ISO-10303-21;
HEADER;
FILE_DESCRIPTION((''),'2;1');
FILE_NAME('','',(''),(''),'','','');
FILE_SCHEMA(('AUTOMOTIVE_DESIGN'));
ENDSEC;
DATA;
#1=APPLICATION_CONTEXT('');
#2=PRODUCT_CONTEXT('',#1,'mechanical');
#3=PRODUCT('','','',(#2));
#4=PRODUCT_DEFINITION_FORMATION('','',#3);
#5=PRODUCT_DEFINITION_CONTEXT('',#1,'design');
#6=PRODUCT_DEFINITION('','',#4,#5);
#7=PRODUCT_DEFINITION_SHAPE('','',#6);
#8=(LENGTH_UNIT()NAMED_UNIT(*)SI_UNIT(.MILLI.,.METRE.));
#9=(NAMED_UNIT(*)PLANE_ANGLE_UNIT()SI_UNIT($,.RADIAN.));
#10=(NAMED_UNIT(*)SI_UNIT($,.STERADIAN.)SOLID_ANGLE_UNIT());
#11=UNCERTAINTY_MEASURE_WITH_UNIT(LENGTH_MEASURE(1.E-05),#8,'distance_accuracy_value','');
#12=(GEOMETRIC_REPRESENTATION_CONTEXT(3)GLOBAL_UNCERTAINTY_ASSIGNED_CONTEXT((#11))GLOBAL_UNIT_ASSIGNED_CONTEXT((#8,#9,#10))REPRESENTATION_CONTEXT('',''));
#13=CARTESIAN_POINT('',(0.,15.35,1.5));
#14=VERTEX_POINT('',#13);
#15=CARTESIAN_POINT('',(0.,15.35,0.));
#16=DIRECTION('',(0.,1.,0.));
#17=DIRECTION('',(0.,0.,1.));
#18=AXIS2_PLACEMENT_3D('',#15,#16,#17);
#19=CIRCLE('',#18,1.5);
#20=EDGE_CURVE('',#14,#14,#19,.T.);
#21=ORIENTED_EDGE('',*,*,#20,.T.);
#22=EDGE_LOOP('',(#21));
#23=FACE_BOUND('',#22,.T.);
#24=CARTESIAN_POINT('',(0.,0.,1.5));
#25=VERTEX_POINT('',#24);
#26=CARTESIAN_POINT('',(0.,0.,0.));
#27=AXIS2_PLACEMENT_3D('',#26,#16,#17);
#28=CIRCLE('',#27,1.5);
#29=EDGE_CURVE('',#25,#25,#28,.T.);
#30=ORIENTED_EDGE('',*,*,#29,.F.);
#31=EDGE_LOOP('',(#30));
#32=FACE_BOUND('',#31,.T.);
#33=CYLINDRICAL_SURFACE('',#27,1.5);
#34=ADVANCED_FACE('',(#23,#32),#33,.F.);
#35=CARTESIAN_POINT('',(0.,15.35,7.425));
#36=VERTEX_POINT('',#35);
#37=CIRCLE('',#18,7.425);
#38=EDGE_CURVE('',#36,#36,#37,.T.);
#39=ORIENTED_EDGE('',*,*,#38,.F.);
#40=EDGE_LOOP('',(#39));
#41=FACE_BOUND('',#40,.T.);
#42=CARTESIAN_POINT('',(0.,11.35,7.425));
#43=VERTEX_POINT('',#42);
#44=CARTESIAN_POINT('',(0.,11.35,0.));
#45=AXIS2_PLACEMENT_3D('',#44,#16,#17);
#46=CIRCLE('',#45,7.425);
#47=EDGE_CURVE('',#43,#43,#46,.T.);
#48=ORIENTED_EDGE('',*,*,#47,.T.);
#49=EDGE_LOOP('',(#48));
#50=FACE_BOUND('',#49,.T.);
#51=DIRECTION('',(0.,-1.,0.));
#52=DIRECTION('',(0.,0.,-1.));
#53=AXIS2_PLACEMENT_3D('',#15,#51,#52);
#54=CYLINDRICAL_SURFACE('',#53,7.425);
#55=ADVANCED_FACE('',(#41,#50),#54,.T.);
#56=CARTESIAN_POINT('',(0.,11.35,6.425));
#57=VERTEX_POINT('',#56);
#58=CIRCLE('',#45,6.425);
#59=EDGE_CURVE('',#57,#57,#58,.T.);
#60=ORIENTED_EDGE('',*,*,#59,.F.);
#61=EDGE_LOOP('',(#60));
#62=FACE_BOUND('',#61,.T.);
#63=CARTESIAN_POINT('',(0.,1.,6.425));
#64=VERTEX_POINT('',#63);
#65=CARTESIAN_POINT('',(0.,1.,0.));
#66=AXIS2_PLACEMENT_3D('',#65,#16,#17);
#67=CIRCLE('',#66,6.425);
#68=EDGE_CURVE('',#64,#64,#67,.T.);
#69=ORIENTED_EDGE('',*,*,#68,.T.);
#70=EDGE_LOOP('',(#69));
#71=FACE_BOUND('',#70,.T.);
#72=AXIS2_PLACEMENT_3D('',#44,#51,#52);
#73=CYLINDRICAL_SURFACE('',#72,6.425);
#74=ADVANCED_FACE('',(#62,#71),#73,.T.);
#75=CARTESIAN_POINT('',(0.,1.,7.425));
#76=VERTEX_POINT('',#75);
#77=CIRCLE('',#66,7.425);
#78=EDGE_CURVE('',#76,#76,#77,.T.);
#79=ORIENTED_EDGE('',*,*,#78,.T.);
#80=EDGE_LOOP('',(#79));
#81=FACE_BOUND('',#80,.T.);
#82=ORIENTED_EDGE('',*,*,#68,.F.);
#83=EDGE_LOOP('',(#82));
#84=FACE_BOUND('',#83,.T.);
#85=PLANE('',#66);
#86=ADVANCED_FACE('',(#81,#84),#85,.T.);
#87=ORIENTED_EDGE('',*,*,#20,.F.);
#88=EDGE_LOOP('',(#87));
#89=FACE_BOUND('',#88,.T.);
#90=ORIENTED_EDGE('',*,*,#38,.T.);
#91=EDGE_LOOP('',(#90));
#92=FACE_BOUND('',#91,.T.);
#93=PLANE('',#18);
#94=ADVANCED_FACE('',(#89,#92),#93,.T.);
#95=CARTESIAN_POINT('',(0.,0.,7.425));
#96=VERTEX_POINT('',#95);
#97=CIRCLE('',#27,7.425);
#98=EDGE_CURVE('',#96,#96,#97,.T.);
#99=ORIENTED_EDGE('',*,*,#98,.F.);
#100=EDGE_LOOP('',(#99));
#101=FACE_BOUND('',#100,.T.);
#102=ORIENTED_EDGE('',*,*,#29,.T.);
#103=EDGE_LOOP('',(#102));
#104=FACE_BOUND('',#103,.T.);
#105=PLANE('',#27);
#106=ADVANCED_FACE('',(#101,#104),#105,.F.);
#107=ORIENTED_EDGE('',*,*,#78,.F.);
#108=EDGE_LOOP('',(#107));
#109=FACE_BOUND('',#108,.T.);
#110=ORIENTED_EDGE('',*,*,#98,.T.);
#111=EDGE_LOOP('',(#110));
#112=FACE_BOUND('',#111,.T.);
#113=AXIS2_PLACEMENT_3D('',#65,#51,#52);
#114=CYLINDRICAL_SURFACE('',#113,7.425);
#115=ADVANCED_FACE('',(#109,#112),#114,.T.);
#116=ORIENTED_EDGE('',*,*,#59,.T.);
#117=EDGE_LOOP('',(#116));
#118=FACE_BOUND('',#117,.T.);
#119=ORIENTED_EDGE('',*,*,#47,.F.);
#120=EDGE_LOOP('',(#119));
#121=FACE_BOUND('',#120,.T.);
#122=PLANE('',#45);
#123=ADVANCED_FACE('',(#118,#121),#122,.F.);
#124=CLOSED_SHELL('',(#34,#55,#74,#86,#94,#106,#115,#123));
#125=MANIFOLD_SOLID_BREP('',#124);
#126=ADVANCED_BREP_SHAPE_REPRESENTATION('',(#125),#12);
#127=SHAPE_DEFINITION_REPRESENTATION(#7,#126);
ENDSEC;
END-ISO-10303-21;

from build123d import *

# Parameters (mm, degrees)
SKETCH1_R           = 7.425
BOSS_EXTRUDE1_DEPTH = 1
SKETCH2_R           = 6.425
BOSS_EXTRUDE2_DEPTH = 10.35
SKETCH3_R           = 7.425
BOSS_EXTRUDE3_DEPTH = 4
SKETCH4_R           = 1.5
CUT_EXTRUDE1_DEPTH  = 15.35


with BuildPart() as part:
    # Sketch1 → Boss-Extrude1 (new body)
    with BuildSketch(Plane(origin=(0, 0, 0), x_dir=(1, 0, 0), z_dir=(0, 1, 0))):
        with Locations(Location((0, 0, 0), (0, 0, 270))):
            Circle(SKETCH1_R)
    extrude(amount=BOSS_EXTRUDE1_DEPTH)

    # Sketch2 → Boss-Extrude2 (add)
    with BuildSketch(Plane(origin=(0, 1, 0), x_dir=(1, 0, 0), z_dir=(0, 1, 0))):
        with Locations(Location((0, 0, 0), (0, 0, 270))):
            Circle(SKETCH2_R)
    extrude(amount=BOSS_EXTRUDE2_DEPTH)

    # Sketch3 → Boss-Extrude3 (add)
    with BuildSketch(Plane(origin=(0, 11.35, 0), x_dir=(1, 0, 0), z_dir=(0, 1, 0))):
        with Locations(Location((0, 0, 0), (0, 0, 270))):
            Circle(SKETCH3_R)
    extrude(amount=BOSS_EXTRUDE3_DEPTH)

    # Sketch4 → Cut-Extrude1 (cut)
    with BuildSketch(Plane(origin=(0, 15.35, 0), x_dir=(1, 0, 0), z_dir=(0, 1, 0))):
        with Locations(Location((0, 0, 0), (0, 0, 270))):
            Circle(SKETCH4_R)
    extrude(amount=-CUT_EXTRUDE1_DEPTH, mode=Mode.SUBTRACT)


solid = part.part
